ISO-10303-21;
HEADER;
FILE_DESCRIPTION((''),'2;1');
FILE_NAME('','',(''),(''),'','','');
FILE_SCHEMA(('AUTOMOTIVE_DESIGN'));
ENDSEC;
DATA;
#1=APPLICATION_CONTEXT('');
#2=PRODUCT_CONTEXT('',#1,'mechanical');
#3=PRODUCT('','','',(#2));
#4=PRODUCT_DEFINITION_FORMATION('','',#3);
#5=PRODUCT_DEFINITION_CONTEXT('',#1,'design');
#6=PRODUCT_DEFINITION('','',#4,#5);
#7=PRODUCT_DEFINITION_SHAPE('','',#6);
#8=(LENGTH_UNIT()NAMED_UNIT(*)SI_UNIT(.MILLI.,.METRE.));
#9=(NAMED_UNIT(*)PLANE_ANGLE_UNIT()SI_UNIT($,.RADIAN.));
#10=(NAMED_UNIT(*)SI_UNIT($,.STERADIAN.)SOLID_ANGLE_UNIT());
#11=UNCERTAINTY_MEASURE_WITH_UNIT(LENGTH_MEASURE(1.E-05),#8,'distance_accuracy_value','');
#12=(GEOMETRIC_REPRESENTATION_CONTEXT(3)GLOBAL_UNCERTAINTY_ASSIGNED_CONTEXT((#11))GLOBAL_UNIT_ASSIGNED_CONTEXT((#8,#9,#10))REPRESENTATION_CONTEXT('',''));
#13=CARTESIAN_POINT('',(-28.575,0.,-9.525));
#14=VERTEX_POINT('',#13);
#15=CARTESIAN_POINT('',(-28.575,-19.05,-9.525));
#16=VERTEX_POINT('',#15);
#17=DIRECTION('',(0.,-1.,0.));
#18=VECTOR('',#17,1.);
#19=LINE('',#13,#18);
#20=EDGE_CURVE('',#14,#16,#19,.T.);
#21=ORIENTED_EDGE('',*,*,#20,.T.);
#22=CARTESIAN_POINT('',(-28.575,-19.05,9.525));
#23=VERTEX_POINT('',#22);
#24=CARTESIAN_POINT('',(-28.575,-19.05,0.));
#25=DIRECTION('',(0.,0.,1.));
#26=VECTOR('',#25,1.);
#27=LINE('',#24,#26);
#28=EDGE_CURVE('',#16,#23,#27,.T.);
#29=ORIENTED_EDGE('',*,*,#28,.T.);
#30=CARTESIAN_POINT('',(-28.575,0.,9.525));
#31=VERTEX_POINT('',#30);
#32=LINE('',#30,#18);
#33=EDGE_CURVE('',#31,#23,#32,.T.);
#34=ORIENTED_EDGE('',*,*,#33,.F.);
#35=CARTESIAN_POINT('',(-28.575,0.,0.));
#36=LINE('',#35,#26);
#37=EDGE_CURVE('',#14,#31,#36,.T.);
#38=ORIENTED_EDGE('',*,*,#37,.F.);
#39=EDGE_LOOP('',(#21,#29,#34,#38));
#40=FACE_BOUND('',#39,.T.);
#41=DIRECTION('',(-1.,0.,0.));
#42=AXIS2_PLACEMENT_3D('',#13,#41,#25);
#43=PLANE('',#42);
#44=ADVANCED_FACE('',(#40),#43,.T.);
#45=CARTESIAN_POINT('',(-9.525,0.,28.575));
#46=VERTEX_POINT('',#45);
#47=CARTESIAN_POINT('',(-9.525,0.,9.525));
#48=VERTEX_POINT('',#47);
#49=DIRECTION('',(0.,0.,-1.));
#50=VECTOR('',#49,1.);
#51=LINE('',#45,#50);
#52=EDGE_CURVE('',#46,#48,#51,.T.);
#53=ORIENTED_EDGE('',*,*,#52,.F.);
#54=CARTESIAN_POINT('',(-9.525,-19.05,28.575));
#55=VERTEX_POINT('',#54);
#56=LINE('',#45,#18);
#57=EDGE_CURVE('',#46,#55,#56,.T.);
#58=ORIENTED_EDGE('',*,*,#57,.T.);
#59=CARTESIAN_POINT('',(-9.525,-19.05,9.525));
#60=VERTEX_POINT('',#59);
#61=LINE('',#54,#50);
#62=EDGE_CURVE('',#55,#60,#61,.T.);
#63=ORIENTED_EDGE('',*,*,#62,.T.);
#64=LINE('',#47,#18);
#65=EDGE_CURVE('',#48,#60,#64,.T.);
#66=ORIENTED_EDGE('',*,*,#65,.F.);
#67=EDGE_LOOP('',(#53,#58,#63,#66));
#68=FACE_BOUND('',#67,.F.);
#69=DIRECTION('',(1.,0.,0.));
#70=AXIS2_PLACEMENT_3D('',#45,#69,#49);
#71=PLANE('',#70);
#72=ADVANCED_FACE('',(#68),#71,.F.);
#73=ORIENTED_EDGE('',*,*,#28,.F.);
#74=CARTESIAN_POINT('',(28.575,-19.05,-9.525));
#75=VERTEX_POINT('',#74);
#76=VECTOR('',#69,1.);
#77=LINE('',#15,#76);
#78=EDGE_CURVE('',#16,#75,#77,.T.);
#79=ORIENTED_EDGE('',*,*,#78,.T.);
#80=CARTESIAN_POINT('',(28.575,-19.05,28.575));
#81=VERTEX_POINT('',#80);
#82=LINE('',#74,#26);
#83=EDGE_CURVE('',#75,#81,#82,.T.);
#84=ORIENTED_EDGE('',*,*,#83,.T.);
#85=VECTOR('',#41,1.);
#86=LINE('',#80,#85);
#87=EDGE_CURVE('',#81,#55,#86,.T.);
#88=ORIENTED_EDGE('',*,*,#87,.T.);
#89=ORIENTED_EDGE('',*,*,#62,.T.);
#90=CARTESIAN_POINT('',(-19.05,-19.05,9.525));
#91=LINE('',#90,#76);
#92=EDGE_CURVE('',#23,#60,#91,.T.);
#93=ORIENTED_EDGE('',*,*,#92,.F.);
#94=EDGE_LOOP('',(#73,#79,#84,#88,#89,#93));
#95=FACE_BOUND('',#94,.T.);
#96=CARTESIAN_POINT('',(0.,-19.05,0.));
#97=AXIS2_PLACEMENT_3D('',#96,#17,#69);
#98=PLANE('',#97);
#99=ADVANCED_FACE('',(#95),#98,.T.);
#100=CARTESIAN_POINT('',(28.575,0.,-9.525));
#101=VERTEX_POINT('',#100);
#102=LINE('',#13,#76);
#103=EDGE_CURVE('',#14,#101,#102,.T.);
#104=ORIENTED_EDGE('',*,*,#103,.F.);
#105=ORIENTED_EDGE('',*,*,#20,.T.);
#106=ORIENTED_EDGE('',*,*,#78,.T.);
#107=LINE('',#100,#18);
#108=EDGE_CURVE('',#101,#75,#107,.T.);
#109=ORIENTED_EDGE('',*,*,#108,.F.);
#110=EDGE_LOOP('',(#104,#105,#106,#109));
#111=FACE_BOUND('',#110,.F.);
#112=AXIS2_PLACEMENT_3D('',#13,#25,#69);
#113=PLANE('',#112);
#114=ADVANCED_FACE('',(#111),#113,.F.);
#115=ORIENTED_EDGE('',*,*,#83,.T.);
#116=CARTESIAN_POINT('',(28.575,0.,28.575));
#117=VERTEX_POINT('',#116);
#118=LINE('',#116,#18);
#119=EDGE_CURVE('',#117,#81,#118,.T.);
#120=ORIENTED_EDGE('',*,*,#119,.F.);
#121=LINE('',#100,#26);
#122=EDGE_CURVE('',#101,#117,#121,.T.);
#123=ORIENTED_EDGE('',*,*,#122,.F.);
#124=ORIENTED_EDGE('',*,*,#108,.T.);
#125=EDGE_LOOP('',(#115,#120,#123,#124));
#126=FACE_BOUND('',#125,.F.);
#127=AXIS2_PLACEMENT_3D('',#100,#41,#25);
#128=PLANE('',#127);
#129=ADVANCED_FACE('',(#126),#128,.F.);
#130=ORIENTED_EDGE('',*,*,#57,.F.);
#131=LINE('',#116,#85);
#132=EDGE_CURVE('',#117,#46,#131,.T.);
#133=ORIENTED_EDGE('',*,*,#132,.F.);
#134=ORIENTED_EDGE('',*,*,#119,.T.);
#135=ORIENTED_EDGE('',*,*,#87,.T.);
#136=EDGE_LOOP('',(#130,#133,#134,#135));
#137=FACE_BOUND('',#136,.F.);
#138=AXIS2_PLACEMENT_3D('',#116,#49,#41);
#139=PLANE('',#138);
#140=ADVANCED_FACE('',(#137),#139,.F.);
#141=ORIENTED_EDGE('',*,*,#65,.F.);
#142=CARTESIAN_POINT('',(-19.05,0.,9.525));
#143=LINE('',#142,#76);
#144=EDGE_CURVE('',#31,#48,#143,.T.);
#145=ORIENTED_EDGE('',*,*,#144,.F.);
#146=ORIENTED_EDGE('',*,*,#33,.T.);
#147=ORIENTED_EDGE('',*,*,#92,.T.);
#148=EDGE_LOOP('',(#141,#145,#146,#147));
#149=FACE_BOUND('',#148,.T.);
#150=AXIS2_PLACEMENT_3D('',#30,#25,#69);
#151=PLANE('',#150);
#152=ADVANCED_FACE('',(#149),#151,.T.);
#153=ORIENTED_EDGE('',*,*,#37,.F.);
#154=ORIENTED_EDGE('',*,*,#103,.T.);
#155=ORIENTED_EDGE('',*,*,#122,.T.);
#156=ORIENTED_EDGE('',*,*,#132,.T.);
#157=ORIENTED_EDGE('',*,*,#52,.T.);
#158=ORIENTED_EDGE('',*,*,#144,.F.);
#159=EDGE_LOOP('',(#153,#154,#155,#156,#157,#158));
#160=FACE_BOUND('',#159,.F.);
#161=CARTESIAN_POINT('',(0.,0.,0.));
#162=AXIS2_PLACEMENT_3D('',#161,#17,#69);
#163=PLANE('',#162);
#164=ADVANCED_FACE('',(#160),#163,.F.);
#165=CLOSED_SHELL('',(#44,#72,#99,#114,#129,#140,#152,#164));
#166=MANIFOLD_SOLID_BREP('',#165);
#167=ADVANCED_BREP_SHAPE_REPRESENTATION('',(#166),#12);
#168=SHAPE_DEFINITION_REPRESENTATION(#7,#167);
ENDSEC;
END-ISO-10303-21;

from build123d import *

# Parameters (mm, degrees)
F0_W     = 19.05
F0_H     = 19.05
F1_DEPTH = 19.05


with BuildPart() as f1:
    # F0 (on Front) → F1 (new body)
    with BuildSketch(Plane.XZ):
        Rectangle(F0_W, F0_H)
        with Locations((19.05, 0)):
            Rectangle(F0_W, F0_H)
        with Locations((19.05, 19.05)):
            Rectangle(F0_W, F0_H)
        with Locations((0, 19.05)):
            Rectangle(F0_W, F0_H)
        with Locations((-19.05, 0)):
            Rectangle(F0_W, F0_H)
    extrude(amount=F1_DEPTH)


solid = f1.part
